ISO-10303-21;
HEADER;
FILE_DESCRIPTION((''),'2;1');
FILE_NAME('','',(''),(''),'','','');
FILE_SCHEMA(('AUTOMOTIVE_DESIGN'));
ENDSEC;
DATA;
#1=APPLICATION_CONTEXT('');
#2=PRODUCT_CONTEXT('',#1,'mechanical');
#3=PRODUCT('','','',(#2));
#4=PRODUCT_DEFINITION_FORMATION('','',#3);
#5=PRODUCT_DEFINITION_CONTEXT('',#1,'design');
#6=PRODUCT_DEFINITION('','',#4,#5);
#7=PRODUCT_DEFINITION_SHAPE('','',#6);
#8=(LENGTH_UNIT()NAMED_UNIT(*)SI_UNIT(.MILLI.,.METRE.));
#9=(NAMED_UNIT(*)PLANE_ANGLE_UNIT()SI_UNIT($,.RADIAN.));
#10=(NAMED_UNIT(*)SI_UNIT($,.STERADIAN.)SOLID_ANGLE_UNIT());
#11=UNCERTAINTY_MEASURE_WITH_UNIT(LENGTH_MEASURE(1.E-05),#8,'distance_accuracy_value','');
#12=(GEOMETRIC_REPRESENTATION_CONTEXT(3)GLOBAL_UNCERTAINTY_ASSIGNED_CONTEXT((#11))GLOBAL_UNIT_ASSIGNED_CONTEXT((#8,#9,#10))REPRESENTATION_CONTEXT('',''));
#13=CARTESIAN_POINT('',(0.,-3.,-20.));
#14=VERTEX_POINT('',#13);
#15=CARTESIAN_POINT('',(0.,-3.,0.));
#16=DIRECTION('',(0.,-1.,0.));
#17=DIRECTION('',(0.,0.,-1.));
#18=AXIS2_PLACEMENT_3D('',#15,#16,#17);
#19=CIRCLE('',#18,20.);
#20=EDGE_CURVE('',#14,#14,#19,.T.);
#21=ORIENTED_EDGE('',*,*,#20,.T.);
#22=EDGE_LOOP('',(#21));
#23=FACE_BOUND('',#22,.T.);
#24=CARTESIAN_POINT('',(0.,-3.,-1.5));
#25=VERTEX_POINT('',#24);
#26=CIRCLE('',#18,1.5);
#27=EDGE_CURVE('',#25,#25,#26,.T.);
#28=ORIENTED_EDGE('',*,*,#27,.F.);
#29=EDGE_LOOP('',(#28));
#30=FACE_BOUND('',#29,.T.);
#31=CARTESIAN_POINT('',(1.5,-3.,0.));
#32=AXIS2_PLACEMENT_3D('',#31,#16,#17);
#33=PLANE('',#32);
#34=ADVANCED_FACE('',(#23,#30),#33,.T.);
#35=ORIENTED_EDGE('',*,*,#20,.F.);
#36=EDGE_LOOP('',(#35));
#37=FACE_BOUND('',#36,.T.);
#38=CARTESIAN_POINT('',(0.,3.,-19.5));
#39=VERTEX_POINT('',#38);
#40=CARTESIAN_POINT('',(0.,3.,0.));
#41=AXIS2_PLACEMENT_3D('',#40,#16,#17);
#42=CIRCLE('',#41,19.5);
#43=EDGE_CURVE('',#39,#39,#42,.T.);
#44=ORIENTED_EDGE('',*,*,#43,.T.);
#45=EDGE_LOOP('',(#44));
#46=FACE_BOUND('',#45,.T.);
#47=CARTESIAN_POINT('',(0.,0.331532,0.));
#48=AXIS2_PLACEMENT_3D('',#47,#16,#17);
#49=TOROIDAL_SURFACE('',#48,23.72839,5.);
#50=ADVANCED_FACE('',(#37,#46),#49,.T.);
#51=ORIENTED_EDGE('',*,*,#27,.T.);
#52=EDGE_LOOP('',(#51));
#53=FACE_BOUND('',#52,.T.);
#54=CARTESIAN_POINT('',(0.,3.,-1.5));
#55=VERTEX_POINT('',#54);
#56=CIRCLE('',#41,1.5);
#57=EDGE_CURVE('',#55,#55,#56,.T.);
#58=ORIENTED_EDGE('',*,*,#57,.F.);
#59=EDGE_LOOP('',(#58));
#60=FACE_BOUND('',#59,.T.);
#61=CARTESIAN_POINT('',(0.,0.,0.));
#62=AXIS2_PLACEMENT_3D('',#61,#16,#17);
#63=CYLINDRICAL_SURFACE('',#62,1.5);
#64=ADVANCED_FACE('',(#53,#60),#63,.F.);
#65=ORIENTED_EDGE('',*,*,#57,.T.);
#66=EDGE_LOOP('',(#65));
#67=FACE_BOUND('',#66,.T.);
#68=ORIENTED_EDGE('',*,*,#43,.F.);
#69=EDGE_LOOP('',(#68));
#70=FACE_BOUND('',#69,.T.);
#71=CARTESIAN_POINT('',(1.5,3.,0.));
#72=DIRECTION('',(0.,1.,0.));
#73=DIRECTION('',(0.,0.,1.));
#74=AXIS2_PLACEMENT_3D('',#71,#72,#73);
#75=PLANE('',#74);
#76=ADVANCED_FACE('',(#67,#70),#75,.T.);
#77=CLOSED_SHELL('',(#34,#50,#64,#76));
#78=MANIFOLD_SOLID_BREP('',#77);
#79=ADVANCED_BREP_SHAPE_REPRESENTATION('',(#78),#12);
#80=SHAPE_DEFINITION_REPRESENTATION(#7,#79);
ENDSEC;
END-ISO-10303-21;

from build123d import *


with BuildPart() as part:
    # 草图1 → 旋转1 (revolve)
    with BuildSketch(Plane.XY):
        with BuildLine():
            Line((1.5, -3), (20, -3))
            ThreePointArc((20, -3), (28.711118693, 0.746759891), (19.5, 3))
            Line((19.5, 3), (1.5, 3))
            Line((1.5, 3), (1.5, -3))
        make_face()
    revolve(axis=Axis((0, 0, 0), (0, 1, 0)))


solid = part.part
